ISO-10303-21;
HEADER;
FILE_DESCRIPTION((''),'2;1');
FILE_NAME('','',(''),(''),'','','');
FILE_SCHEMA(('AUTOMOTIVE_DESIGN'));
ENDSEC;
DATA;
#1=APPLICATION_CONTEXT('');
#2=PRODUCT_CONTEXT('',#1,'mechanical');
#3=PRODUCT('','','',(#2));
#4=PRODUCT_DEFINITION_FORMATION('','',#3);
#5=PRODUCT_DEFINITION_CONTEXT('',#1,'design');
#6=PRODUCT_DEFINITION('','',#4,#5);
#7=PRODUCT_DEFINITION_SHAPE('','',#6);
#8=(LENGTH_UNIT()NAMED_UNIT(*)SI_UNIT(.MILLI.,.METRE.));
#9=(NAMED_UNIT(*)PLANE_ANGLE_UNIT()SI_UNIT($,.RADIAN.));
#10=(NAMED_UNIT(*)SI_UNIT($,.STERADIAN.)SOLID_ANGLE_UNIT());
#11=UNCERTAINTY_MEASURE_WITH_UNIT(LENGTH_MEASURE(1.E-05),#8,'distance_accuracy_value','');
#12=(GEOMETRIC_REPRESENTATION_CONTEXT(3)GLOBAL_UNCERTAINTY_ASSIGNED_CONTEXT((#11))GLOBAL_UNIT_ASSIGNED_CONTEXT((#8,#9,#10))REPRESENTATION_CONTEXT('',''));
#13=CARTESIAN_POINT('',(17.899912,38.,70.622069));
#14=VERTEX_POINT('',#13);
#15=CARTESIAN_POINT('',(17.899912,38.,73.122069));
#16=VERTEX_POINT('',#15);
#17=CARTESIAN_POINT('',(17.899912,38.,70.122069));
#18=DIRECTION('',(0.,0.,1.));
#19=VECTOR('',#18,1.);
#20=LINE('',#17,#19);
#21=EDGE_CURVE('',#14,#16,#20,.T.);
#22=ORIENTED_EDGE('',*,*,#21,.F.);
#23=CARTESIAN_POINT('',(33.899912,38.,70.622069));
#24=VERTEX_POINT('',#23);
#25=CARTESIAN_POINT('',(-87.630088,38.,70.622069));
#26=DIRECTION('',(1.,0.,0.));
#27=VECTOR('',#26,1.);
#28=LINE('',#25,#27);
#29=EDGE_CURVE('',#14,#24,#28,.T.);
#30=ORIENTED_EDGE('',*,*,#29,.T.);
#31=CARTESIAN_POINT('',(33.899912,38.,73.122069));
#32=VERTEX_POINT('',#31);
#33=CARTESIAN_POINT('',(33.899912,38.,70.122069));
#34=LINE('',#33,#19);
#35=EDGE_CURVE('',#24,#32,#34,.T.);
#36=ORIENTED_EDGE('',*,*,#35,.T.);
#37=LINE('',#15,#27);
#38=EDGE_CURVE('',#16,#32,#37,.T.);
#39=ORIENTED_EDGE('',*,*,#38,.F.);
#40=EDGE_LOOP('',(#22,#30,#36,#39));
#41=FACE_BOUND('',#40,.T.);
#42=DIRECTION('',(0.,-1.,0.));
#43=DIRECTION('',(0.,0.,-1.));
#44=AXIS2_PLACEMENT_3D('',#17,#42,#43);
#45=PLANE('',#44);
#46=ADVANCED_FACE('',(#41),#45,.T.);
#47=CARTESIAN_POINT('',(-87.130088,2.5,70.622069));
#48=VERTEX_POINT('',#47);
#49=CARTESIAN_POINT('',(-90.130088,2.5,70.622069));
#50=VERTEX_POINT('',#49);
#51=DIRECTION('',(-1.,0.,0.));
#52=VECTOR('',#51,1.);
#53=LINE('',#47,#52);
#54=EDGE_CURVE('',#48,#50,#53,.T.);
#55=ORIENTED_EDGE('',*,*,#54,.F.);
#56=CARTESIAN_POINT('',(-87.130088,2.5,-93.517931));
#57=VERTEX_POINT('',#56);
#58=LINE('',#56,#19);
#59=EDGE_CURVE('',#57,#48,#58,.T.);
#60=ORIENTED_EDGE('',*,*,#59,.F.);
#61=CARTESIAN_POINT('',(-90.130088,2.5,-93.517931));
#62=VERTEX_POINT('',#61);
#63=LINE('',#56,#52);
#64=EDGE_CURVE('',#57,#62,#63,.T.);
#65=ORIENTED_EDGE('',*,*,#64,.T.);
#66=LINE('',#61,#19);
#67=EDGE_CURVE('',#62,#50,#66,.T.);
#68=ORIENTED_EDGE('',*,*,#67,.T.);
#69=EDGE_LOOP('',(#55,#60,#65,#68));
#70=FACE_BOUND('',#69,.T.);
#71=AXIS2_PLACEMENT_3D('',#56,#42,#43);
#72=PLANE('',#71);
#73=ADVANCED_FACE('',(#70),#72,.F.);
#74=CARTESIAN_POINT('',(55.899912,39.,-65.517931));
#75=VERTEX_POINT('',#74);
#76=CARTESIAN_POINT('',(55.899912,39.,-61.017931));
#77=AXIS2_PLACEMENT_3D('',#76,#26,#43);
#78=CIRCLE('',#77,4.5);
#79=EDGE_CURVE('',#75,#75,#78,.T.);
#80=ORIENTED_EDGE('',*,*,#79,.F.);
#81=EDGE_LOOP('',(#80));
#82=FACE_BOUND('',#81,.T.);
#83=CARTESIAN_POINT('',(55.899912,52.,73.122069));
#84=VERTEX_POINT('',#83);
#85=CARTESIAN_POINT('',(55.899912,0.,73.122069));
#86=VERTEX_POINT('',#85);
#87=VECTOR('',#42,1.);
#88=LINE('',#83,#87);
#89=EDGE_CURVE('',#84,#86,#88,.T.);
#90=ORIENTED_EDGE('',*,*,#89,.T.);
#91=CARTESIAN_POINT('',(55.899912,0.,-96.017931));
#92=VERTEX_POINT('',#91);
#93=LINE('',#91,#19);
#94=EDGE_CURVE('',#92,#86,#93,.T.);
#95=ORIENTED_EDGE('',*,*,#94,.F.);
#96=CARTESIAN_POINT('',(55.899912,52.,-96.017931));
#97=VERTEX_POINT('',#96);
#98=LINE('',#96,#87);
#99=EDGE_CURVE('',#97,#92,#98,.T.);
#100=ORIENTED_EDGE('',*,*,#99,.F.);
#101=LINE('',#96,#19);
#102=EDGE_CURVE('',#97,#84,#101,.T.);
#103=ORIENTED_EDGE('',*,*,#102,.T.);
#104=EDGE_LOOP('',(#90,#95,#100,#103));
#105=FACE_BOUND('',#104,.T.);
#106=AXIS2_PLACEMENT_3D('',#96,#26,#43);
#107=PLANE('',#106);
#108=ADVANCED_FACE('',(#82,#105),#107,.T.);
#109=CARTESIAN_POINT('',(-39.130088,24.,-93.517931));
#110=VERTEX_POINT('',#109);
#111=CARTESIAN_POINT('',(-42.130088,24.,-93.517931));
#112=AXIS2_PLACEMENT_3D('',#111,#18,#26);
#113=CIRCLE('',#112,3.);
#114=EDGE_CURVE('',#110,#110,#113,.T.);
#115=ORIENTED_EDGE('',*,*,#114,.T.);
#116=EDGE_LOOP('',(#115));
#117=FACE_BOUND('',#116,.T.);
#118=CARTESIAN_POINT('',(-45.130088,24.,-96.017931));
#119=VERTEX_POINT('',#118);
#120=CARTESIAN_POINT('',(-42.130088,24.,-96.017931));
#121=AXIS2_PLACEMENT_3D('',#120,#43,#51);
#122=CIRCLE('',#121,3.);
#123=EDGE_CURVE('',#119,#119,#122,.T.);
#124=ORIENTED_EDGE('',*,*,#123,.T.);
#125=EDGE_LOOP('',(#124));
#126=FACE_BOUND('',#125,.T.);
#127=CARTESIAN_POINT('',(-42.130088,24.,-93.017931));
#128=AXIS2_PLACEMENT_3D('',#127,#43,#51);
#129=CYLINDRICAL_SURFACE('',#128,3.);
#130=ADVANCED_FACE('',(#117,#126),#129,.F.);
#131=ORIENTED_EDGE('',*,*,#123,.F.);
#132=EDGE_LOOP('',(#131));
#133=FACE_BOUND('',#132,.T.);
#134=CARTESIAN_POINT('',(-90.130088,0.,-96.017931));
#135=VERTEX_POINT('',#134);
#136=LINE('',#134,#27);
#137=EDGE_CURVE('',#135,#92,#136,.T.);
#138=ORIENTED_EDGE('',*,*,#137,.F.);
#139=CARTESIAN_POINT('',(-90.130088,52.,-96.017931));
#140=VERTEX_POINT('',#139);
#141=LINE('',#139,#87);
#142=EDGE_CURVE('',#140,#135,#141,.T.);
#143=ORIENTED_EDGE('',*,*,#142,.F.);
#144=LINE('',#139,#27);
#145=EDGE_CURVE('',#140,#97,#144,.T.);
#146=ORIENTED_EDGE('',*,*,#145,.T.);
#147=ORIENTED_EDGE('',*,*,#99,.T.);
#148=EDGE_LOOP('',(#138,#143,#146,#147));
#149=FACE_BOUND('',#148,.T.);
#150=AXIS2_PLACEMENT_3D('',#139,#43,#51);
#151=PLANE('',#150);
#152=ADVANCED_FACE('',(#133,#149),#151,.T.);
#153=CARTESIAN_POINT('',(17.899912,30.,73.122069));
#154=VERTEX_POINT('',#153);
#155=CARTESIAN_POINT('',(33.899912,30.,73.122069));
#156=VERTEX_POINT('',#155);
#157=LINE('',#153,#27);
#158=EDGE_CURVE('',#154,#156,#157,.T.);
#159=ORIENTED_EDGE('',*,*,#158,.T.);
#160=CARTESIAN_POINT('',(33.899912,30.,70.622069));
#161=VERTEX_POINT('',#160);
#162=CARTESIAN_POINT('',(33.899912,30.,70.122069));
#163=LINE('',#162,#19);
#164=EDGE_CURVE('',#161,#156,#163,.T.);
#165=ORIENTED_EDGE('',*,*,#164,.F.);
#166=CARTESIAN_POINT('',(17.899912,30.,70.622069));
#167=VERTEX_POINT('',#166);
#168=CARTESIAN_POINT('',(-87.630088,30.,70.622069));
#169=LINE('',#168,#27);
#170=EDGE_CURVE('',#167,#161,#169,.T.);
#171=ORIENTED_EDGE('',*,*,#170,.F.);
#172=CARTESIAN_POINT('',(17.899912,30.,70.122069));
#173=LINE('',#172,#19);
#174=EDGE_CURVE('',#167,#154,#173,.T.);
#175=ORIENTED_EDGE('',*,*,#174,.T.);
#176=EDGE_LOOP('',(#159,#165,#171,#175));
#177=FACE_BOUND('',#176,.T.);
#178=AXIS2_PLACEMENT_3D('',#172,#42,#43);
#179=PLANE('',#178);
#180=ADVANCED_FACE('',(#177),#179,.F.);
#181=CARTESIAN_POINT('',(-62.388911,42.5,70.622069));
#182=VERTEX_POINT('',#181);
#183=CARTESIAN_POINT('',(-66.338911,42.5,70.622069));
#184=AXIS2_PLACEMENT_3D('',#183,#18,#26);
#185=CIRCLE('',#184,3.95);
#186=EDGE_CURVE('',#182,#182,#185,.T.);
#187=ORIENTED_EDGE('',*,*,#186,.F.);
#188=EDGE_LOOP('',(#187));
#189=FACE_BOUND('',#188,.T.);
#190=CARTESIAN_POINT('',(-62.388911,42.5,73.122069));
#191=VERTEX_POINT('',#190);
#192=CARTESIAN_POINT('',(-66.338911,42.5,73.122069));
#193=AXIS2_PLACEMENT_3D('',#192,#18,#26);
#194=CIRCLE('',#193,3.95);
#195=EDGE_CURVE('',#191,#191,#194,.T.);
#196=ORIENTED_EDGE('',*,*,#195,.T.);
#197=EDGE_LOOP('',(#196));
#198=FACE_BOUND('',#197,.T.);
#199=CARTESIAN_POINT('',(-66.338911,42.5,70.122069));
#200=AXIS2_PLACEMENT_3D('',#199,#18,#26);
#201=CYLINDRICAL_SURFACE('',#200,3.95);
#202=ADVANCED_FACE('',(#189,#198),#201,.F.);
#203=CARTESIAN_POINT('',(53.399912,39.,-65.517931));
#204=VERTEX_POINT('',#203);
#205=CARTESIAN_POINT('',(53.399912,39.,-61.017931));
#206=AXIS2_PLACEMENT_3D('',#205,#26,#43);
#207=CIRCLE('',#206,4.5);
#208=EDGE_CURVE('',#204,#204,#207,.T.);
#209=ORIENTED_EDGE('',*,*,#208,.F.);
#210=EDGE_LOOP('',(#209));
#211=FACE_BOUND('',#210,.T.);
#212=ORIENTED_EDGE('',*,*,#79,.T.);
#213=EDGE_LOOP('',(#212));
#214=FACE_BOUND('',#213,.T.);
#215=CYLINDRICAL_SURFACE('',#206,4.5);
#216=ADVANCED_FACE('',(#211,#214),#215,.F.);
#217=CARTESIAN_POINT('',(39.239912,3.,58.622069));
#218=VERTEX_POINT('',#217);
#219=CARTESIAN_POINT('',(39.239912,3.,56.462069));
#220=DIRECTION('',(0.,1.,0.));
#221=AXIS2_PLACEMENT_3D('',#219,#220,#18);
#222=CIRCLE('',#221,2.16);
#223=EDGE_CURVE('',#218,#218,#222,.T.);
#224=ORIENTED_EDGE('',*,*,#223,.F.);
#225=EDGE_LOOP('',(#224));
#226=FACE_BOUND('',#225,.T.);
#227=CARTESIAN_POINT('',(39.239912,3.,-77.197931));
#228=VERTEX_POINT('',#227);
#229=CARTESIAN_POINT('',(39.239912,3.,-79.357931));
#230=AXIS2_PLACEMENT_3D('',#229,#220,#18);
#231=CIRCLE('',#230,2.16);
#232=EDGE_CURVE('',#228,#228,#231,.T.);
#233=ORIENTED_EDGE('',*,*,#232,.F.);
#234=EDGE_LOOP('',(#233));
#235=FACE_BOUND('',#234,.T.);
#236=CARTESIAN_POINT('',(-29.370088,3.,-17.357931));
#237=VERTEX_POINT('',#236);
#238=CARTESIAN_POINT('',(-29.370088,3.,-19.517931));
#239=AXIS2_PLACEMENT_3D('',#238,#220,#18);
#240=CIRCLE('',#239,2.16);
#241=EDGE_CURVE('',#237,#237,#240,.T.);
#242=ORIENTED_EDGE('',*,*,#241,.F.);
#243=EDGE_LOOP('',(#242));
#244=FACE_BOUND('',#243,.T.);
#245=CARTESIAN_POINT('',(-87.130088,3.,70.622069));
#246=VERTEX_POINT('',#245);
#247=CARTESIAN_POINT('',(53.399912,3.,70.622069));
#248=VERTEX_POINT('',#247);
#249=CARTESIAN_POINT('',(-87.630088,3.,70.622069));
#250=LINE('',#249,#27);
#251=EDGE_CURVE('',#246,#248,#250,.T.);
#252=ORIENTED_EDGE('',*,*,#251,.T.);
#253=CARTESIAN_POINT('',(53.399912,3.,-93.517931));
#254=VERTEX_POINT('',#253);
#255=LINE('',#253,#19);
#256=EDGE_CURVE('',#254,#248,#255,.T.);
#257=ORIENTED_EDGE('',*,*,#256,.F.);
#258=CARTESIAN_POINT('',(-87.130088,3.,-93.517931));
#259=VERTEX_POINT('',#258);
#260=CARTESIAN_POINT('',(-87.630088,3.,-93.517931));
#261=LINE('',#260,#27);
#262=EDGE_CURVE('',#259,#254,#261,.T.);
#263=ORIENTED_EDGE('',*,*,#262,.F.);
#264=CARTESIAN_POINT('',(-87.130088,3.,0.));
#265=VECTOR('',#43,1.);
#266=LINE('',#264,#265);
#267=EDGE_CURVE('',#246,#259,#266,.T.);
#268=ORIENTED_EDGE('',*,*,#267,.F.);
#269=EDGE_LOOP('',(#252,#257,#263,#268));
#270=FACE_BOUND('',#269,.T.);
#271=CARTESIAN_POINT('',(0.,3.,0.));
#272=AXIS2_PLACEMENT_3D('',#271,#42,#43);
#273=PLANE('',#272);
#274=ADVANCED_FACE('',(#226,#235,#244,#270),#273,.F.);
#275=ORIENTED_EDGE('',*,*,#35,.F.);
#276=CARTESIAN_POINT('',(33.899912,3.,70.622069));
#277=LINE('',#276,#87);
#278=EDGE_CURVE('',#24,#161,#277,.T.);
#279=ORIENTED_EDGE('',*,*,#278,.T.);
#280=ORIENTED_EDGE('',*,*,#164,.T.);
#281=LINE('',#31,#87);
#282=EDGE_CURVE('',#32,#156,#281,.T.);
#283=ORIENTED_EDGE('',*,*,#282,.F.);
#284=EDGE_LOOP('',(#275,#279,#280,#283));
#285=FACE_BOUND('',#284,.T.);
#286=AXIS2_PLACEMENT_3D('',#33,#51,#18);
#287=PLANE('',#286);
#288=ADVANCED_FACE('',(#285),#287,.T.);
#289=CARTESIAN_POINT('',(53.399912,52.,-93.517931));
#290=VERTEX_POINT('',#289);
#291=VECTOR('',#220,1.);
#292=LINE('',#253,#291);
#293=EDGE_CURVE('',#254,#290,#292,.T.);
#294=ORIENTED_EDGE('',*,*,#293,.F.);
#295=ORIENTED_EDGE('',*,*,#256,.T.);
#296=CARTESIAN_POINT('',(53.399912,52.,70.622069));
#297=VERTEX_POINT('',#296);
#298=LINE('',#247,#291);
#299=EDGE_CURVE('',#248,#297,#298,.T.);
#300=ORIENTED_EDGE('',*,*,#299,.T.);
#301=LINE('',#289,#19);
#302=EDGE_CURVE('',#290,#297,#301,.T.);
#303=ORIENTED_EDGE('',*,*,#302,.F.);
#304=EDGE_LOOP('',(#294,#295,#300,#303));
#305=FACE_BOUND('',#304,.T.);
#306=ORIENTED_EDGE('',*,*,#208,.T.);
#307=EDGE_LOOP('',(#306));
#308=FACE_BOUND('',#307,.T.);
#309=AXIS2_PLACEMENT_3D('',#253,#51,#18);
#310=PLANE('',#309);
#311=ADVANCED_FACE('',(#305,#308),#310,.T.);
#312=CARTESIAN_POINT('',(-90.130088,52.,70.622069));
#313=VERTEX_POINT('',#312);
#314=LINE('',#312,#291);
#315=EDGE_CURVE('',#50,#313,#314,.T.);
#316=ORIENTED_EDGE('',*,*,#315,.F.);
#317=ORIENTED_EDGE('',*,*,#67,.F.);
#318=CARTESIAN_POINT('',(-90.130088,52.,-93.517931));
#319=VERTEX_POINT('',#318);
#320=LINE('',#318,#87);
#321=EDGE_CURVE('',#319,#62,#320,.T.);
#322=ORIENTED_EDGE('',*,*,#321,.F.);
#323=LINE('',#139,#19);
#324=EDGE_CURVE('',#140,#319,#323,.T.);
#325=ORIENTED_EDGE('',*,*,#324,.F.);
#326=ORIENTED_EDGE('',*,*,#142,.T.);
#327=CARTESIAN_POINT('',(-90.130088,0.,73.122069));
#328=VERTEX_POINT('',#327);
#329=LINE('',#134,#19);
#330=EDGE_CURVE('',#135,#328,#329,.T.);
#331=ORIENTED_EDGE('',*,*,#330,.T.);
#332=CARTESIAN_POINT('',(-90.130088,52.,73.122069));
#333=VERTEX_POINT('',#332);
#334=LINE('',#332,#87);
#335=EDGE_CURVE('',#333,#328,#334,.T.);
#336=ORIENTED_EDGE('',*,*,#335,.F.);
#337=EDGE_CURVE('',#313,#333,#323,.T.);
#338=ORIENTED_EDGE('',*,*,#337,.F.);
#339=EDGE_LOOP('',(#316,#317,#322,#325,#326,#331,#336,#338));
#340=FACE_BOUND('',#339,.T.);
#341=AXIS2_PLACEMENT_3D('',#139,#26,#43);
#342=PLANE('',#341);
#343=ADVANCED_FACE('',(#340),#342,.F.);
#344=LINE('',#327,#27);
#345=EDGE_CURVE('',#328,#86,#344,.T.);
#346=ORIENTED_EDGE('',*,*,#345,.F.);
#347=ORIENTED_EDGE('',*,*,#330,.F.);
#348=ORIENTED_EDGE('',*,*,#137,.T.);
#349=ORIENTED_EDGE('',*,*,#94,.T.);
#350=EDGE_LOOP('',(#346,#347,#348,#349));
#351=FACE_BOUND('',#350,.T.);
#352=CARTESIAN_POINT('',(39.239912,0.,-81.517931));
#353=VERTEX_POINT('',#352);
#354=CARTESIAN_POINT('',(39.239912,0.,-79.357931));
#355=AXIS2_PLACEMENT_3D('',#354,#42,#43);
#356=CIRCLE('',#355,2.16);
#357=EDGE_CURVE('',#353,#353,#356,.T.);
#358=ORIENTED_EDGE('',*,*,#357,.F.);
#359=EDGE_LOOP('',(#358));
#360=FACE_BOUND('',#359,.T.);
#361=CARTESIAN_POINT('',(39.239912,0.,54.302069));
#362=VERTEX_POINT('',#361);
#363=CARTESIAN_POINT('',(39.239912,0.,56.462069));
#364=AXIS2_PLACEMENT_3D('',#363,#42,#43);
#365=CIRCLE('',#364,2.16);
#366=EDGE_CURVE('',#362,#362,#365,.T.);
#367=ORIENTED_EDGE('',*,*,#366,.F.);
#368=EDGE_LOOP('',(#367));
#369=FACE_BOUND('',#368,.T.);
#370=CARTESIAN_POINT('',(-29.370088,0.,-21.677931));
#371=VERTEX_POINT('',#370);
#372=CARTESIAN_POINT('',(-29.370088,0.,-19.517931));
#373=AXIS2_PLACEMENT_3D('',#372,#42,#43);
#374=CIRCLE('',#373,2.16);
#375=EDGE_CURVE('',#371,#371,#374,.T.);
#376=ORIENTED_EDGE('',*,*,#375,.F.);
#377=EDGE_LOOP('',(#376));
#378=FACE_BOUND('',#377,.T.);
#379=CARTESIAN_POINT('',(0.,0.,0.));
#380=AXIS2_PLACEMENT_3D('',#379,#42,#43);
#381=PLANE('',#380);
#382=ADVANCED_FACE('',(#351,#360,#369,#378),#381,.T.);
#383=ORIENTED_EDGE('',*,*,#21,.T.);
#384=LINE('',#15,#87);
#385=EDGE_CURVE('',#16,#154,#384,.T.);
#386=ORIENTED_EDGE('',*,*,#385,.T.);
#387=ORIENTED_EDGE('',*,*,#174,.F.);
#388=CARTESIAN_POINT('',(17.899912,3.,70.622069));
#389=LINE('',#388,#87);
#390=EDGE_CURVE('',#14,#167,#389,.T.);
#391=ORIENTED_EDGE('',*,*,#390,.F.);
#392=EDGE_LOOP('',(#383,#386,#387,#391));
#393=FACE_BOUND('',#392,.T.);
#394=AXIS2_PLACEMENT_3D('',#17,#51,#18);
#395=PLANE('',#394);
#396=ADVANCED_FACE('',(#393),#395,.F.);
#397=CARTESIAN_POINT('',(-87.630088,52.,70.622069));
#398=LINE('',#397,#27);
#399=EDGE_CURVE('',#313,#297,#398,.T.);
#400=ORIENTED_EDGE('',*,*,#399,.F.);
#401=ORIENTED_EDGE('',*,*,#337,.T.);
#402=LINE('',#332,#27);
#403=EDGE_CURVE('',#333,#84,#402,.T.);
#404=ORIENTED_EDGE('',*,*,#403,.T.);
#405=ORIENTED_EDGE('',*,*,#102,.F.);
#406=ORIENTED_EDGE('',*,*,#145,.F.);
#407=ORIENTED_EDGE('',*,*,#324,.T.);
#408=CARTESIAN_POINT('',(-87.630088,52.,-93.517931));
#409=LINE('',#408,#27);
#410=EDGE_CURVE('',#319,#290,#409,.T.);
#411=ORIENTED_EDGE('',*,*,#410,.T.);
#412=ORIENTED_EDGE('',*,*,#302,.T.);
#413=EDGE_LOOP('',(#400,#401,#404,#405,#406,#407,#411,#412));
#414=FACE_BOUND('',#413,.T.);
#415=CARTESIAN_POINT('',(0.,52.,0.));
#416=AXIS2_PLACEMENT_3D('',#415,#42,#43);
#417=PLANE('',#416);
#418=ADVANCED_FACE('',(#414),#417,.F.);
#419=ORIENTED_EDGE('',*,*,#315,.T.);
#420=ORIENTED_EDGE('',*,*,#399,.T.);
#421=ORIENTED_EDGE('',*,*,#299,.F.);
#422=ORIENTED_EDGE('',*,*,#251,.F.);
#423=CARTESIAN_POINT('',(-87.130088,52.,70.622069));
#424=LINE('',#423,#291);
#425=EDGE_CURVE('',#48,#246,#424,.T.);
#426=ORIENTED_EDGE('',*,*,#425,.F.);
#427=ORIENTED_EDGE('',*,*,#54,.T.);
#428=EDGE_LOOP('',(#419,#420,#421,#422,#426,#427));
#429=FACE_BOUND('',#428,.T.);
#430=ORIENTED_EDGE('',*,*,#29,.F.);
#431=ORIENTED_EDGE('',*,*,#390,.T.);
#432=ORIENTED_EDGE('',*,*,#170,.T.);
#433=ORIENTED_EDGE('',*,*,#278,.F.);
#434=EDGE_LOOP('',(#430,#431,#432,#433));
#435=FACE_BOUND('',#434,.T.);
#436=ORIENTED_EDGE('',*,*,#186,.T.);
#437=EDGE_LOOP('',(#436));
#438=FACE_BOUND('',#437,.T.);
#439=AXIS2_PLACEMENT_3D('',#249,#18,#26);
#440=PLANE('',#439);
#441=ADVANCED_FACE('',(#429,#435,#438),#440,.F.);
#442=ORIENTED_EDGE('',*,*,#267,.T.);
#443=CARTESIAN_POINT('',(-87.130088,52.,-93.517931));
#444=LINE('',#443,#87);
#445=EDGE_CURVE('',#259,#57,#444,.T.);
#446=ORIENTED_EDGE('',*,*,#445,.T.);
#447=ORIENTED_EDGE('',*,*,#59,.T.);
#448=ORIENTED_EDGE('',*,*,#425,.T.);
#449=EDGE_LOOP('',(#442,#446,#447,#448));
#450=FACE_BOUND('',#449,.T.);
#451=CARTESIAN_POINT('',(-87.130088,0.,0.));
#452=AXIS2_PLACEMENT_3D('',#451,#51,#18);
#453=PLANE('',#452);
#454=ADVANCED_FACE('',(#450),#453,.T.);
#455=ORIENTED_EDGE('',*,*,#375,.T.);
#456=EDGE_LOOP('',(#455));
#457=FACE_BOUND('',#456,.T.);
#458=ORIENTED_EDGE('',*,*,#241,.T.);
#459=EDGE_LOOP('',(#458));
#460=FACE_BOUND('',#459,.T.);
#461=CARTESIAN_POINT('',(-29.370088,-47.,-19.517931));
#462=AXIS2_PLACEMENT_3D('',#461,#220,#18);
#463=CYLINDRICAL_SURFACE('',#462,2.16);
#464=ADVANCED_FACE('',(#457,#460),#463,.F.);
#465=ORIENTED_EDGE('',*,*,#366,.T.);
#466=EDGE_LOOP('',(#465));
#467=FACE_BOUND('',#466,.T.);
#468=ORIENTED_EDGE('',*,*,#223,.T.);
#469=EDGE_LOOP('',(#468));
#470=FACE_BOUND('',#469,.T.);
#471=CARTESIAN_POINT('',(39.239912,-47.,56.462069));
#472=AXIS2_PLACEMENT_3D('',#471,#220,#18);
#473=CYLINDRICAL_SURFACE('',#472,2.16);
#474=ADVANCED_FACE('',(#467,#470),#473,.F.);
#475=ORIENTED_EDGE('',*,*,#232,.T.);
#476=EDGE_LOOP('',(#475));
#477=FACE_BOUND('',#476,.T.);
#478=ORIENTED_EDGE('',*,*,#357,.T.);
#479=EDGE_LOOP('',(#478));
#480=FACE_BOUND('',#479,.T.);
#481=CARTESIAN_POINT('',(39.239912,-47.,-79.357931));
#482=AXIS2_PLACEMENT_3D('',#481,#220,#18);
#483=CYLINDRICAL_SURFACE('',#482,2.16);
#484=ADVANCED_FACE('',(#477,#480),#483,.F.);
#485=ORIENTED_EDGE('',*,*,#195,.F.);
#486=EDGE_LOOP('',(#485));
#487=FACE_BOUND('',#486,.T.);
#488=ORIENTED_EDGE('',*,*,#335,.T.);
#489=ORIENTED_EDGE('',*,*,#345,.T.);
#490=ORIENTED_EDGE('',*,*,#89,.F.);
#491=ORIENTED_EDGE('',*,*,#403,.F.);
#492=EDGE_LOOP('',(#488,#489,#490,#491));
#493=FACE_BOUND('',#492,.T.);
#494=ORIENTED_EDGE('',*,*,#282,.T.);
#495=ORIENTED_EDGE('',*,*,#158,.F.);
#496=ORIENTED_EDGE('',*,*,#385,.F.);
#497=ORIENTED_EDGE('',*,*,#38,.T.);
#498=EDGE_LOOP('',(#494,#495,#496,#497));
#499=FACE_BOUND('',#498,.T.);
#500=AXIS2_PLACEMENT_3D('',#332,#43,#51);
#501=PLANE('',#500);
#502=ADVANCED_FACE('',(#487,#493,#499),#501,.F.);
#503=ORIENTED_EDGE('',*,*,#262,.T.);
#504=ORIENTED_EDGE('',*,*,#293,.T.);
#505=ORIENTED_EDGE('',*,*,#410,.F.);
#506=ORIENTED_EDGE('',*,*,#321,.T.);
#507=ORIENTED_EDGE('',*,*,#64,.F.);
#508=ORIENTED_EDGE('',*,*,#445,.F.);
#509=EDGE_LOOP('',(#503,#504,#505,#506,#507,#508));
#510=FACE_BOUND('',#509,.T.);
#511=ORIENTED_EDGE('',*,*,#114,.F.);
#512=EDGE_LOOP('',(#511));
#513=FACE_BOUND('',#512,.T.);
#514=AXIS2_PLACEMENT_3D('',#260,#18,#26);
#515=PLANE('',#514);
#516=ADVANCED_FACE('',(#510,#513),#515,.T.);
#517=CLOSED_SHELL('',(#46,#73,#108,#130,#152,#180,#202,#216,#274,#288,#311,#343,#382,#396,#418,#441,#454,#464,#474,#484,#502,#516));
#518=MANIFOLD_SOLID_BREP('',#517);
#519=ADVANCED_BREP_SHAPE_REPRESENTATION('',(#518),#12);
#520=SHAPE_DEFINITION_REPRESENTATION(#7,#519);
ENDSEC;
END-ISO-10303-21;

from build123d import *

# Parameters (mm, degrees)
SKETCH1_W           = 146.03
SKETCH1_H           = 169.14
BOSS_EXTRUDE2_DEPTH = 52
SKETCH6_W           = 141.03
SKETCH6_H           = 164.14
CUT_EXTRUDE3_DEPTH  = 49
SKETCH7_R           = 2.16
CUT_EXTRUDE4_DEPTH  = 50
SKETCH8_R           = 4.5
CUT_EXTRUDE5_DEPTH  = 2.5
SKETCH9_W           = 16
SKETCH9_H           = 8
CUT_EXTRUDE6_DEPTH  = 3
SKETCH12_W          = 164.14
SKETCH12_H          = 49.5
CUT_EXTRUDE9_DEPTH  = 3
SKETCH13_R          = 3.95
CUT_EXTRUDE10_DEPTH = 3
SKETCH14_R          = 3
CUT_EXTRUDE11_DEPTH = 3


with BuildPart() as part:
    # Sketch1 → Boss-Extrude2 (new body)
    with BuildSketch(Plane(origin=(0, 0, 0), x_dir=(1, 0, 0), z_dir=(0, 1, 0))):
        with Locations((-17.115088028, 11.447931338)):
            Rectangle(SKETCH1_W, SKETCH1_H)
    extrude(amount=BOSS_EXTRUDE2_DEPTH)

    # Sketch6 → Cut-Extrude3 (cut)
    with BuildSketch(Plane(origin=(0, 52, 0), x_dir=(1, 0, 0), z_dir=(0, 1, 0))):
        with Locations((-17.115088028, 11.447931338)):
            Rectangle(SKETCH6_W, SKETCH6_H)
    extrude(amount=-CUT_EXTRUDE3_DEPTH, mode=Mode.SUBTRACT)

    # Sketch7 → Cut-Extrude4 (cut)
    with BuildSketch(Plane(origin=(0, 3, 0), x_dir=(1, 0, 0), z_dir=(0, 1, 0))):
        with Locations(Location((39.239911972, -56.462068662, 0), (0, 0, 270))):
            Circle(SKETCH7_R)
        with Locations(Location((39.239911972, 79.357931338, 0), (0, 0, 270))):
            Circle(SKETCH7_R)
        with Locations(Location((-29.370088028, 19.517931338, 0), (0, 0, 270))):
            Circle(SKETCH7_R)
    extrude(amount=-CUT_EXTRUDE4_DEPTH, mode=Mode.SUBTRACT)

    # Sketch8 → Cut-Extrude5 (cut)
    with BuildSketch(Plane(origin=(55.899911972, 0, 0), x_dir=(0, 0, -1), z_dir=(1, 0, 0))):
        with Locations((61.017931338, 39)):
            Circle(SKETCH8_R)
    extrude(amount=-CUT_EXTRUDE5_DEPTH, mode=Mode.SUBTRACT)

    # Sketch9 → Cut-Extrude6 (cut)
    with BuildSketch(Plane.XY.offset(73.122068662)):
        with Locations((25.899911972, 34)):
            Rectangle(SKETCH9_W, SKETCH9_H)
    extrude(amount=-CUT_EXTRUDE6_DEPTH, mode=Mode.SUBTRACT)

    # Sketch12 → Cut-Extrude9 (cut)
    with BuildSketch(Plane.ZY.offset(90.130088028)):
        with Locations((-11.447931338, 27.25)):
            Rectangle(SKETCH12_W, SKETCH12_H)
    extrude(amount=-CUT_EXTRUDE9_DEPTH, mode=Mode.SUBTRACT)

    # Sketch13 → Cut-Extrude10 (cut)
    with BuildSketch(Plane.XY.offset(73.122068662)):
        with Locations((-66.33891095, 42.5)):
            Circle(SKETCH13_R)
    extrude(amount=-CUT_EXTRUDE10_DEPTH, mode=Mode.SUBTRACT)

    # Sketch14 → Cut-Extrude11 (cut)
    with BuildSketch(Plane(origin=(0, 0, -96.017931338), x_dir=(-1, 0, 0), z_dir=(0, 0, -1))):
        with Locations((42.130088028, 24)):
            Circle(SKETCH14_R)
    extrude(amount=-CUT_EXTRUDE11_DEPTH, mode=Mode.SUBTRACT)


solid = part.part
